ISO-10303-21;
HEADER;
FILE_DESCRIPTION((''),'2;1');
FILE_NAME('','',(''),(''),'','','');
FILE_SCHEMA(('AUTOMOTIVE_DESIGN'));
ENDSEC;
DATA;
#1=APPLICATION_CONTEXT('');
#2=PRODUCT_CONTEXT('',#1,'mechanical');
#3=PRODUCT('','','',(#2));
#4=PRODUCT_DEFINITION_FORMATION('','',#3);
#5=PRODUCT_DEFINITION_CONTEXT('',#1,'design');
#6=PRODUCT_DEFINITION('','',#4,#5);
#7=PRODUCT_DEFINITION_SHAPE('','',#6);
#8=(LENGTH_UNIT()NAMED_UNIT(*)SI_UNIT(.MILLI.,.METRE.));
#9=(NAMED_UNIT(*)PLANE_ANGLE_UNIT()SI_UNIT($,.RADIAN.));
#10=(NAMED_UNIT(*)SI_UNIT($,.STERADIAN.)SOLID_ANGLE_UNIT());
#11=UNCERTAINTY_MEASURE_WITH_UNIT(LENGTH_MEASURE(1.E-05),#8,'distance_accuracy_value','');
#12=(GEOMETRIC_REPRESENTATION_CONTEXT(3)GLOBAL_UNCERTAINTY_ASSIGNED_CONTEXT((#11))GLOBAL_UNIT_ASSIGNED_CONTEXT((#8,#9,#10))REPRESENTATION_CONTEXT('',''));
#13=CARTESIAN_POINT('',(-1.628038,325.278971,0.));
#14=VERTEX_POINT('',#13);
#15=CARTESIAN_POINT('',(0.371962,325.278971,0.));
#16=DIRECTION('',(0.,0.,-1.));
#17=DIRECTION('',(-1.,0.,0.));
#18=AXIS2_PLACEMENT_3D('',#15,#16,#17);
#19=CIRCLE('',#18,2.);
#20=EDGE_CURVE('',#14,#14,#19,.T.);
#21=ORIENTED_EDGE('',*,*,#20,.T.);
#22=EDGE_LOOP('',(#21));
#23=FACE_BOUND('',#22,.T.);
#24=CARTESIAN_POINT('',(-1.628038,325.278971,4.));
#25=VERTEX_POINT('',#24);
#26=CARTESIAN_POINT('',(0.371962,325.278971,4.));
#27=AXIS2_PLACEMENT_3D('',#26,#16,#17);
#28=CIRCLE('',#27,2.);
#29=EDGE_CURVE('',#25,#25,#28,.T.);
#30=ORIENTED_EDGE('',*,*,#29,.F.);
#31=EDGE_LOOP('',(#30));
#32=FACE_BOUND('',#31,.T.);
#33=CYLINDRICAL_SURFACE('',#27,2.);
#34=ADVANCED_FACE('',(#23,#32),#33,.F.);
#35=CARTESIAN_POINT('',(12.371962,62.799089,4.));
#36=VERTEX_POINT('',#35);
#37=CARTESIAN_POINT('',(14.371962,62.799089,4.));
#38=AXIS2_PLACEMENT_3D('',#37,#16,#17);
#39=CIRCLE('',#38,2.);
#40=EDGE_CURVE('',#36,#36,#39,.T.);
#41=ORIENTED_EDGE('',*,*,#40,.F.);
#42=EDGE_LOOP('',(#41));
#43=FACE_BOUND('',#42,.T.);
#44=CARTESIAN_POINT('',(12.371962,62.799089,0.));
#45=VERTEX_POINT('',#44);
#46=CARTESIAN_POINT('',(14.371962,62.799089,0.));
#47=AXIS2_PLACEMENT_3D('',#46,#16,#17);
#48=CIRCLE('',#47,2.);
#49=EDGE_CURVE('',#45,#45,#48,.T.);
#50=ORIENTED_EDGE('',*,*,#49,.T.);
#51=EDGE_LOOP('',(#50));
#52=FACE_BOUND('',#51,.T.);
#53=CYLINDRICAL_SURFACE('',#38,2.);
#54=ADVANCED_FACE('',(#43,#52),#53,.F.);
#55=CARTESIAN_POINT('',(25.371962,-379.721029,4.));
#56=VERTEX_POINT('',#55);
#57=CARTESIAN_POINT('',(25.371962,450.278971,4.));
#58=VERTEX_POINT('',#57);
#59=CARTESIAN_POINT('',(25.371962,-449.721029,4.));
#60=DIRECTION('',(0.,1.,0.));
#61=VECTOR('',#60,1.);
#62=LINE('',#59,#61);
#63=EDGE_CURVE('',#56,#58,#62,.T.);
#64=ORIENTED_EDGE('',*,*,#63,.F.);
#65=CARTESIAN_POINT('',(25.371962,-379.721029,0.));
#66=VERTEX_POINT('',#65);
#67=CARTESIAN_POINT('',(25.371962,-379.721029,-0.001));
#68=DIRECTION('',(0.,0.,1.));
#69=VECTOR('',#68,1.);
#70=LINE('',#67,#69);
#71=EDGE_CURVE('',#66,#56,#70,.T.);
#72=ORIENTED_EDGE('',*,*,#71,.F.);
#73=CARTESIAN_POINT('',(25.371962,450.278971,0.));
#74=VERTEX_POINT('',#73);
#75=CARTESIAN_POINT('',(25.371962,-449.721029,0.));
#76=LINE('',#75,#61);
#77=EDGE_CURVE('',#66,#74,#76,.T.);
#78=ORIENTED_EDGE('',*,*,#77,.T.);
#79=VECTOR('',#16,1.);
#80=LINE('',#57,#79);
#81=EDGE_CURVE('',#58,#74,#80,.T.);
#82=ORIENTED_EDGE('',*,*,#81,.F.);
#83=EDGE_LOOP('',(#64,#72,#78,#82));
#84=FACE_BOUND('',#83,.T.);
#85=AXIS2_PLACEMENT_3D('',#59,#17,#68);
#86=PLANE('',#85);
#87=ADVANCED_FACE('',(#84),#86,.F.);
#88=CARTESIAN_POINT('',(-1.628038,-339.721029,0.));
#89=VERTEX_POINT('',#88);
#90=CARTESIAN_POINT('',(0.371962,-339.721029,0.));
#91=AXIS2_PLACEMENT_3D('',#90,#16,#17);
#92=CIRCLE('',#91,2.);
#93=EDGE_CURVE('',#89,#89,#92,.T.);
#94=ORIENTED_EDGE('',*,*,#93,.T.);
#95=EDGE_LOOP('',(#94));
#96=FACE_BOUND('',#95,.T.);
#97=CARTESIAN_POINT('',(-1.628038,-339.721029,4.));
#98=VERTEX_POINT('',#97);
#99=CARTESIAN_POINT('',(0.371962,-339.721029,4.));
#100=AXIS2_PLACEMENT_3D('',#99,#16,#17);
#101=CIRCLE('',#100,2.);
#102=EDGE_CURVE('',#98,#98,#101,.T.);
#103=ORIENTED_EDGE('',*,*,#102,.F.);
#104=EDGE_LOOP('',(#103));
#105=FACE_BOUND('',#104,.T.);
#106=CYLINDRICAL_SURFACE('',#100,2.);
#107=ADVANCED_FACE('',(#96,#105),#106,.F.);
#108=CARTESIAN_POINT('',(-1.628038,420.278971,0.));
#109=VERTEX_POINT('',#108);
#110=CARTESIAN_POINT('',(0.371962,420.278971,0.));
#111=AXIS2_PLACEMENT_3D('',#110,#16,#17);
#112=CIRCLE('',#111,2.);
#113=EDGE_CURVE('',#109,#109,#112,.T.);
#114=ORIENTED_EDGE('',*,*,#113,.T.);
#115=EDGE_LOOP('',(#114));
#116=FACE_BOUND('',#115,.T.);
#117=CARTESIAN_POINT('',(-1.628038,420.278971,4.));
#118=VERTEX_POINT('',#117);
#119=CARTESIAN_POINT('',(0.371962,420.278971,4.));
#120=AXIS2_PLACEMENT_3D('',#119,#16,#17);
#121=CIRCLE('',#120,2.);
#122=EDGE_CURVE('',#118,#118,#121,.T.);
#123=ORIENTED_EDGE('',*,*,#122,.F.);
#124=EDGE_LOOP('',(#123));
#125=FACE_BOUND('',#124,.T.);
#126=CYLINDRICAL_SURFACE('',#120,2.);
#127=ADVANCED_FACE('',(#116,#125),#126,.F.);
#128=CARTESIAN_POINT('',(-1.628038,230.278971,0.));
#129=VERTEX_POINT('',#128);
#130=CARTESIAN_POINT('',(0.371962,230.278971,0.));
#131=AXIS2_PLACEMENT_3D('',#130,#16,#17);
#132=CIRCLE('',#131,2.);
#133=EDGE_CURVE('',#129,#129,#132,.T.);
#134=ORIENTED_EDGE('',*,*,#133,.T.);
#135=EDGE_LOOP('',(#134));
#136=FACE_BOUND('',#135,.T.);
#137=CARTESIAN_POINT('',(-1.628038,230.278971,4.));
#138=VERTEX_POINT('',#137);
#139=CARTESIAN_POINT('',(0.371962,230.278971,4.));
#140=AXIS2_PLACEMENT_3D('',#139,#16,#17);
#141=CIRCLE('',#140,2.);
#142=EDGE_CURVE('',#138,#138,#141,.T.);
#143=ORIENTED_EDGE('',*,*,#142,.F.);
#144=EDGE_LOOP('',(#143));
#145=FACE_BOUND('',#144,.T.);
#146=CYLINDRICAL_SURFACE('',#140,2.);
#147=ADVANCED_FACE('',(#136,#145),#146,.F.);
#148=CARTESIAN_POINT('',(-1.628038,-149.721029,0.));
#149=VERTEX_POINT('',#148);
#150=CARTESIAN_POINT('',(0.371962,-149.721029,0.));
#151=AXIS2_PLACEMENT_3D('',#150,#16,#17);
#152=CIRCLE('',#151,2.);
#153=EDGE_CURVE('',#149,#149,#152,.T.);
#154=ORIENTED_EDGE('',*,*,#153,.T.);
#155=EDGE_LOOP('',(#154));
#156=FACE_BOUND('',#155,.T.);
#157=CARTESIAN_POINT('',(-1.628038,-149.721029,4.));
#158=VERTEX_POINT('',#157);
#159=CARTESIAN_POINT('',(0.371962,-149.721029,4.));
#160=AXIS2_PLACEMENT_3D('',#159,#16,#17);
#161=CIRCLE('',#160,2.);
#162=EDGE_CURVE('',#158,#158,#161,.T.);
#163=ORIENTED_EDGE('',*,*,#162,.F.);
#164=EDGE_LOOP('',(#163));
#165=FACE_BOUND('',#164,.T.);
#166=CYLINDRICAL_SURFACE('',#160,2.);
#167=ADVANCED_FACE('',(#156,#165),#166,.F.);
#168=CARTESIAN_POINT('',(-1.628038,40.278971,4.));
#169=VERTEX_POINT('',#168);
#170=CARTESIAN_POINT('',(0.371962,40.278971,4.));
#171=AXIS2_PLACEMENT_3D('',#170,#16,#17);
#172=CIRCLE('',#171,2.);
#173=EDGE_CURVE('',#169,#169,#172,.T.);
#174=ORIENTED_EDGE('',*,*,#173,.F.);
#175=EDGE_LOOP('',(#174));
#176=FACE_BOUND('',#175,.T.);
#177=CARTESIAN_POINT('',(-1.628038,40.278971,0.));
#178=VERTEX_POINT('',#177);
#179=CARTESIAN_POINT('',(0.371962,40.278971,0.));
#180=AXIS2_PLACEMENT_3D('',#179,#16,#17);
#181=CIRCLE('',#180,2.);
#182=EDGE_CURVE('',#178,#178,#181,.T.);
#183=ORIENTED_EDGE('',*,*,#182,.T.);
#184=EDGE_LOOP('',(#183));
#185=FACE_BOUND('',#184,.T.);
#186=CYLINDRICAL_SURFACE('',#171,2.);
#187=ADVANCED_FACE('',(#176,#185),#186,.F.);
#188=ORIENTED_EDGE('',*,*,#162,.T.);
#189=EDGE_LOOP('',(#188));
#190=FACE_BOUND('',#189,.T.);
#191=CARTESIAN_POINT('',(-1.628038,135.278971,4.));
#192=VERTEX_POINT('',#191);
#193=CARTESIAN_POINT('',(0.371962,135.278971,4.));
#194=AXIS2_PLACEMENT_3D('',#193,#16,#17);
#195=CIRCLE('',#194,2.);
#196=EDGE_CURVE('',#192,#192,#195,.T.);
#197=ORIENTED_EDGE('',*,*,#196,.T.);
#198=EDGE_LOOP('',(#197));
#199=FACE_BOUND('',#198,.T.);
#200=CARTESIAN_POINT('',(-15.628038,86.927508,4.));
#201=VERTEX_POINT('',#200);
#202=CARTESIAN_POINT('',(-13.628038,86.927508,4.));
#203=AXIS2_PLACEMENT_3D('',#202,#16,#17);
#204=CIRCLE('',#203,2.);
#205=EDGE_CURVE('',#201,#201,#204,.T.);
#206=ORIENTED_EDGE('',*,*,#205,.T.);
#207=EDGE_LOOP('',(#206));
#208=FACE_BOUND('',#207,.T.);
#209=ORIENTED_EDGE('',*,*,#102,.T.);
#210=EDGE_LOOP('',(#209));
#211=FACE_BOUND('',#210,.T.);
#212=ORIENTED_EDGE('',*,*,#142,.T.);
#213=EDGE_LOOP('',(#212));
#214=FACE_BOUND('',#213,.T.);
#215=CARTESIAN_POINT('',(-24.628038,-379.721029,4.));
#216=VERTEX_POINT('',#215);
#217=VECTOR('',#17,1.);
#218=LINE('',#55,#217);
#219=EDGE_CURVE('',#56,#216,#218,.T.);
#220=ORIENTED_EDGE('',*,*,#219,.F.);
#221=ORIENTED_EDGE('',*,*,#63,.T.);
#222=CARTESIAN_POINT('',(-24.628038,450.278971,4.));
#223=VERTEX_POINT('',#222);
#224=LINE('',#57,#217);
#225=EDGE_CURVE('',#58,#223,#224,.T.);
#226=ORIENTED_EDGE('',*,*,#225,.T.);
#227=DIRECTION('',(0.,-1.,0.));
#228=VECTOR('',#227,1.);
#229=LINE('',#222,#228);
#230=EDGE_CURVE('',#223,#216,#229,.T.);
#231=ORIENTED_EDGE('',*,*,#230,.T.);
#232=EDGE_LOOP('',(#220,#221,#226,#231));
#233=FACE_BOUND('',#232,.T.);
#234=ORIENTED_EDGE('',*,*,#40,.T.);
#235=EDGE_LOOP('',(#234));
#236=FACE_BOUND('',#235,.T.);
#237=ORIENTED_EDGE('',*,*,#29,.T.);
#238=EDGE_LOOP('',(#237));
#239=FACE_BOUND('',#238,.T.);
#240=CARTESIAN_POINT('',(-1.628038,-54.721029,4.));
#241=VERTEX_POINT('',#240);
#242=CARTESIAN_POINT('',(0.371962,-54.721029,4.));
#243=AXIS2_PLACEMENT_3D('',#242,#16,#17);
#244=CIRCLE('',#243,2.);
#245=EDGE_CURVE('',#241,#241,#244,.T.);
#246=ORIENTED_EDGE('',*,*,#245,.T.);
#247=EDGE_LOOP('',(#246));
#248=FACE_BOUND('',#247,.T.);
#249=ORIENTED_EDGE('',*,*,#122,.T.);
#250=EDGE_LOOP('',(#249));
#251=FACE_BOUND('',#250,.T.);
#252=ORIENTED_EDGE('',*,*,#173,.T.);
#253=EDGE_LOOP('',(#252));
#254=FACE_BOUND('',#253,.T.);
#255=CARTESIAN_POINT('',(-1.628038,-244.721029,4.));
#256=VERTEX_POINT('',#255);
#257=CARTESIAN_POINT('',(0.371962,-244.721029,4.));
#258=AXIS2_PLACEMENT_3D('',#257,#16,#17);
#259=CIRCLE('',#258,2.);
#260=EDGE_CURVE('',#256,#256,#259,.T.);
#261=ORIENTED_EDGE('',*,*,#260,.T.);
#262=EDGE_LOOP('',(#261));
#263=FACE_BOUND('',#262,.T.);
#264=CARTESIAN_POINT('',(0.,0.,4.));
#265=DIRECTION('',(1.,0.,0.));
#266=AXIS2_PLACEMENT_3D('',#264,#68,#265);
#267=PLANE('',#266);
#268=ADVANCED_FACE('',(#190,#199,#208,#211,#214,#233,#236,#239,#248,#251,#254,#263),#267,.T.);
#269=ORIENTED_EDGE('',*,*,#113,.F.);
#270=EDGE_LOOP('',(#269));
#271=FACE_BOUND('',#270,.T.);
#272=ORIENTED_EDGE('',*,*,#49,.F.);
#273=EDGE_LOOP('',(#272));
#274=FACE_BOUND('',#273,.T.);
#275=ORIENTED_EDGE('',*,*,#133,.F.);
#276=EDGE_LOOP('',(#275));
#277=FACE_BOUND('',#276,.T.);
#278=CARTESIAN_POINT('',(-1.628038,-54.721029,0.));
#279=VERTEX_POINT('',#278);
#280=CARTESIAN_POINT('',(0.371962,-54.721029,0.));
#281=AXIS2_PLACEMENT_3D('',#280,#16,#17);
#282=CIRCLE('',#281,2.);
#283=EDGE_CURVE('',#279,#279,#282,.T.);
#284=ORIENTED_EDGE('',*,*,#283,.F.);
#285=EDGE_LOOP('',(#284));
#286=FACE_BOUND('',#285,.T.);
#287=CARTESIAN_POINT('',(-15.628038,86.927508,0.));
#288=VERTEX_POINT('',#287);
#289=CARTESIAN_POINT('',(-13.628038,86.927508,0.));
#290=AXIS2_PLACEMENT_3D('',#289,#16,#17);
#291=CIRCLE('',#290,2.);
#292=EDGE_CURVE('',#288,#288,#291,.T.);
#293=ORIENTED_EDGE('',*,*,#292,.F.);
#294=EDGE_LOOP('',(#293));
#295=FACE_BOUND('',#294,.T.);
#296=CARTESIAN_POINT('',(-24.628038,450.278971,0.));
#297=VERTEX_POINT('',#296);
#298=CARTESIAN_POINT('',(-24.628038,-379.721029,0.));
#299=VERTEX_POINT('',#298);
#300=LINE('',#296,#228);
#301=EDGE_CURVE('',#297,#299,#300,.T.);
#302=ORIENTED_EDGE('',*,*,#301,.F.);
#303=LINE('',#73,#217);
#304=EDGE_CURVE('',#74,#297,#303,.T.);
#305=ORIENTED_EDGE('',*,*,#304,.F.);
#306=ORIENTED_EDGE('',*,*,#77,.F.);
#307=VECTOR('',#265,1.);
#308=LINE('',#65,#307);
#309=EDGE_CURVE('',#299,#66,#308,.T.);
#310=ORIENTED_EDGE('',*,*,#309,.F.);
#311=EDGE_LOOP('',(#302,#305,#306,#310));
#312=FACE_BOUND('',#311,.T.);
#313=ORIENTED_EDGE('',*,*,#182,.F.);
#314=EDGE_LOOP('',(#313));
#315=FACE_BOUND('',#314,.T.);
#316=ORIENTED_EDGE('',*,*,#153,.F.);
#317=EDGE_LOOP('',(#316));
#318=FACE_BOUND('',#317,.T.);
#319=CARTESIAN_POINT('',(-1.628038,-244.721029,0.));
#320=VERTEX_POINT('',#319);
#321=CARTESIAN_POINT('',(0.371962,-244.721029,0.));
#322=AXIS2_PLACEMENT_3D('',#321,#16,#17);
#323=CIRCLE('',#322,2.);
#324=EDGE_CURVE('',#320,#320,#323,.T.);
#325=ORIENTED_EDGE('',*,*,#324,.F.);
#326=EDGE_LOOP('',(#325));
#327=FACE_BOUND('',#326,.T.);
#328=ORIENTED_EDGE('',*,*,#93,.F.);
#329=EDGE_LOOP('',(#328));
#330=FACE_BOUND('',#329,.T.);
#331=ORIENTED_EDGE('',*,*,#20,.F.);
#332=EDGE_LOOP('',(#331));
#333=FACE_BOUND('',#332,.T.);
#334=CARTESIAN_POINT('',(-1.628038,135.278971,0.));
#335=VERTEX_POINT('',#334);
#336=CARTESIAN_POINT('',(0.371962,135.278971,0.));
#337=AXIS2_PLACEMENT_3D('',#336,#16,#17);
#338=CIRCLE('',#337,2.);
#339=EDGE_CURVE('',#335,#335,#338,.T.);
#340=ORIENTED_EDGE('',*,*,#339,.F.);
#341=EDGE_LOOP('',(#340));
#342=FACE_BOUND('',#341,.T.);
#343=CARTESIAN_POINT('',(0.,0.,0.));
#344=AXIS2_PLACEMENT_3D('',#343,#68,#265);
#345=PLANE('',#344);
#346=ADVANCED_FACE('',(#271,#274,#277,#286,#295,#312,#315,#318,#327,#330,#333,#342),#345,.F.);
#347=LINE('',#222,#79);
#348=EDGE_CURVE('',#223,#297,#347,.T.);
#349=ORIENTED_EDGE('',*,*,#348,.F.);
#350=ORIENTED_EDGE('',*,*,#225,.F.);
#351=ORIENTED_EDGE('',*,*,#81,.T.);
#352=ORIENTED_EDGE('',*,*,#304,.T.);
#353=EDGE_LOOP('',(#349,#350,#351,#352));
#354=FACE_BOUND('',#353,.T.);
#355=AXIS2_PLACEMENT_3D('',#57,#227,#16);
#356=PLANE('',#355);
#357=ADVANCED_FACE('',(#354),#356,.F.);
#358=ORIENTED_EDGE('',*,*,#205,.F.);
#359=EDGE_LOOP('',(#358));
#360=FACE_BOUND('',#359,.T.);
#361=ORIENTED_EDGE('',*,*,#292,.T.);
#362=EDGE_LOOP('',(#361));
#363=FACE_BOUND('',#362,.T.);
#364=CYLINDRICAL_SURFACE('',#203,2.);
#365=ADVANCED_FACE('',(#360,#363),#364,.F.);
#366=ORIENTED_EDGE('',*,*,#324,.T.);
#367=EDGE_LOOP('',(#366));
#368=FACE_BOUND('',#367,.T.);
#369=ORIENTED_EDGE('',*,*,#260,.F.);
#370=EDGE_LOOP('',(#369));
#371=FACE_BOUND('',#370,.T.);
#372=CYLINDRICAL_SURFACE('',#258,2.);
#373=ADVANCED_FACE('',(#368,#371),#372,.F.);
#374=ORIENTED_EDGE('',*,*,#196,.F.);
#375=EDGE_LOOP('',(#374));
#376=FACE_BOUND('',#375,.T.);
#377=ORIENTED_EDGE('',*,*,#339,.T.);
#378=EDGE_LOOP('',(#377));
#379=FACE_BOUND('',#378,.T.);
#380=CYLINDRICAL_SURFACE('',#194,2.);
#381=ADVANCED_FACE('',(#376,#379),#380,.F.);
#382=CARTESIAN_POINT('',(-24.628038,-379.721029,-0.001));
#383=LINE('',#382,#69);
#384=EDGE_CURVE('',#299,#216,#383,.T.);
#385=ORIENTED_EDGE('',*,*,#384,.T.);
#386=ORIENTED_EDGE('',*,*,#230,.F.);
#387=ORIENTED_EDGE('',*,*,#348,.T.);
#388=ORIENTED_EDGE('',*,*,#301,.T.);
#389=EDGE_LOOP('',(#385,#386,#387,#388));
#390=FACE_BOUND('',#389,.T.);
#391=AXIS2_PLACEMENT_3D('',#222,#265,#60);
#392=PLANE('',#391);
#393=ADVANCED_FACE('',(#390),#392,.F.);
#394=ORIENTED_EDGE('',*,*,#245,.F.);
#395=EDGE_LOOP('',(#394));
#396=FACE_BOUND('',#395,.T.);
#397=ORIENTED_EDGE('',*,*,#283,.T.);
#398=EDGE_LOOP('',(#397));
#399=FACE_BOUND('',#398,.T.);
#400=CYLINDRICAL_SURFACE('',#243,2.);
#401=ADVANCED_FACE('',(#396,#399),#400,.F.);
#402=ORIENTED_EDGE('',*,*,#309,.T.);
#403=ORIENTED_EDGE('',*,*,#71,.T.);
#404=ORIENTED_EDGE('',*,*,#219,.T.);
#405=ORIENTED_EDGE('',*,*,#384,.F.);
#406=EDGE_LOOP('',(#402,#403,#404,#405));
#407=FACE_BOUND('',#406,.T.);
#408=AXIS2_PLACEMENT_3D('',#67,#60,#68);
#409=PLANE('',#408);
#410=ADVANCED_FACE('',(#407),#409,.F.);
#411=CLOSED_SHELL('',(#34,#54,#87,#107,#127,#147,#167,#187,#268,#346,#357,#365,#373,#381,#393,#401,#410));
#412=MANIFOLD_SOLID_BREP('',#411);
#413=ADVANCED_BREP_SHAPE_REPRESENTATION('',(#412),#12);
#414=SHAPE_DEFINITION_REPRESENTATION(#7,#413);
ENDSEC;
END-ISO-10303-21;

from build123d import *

# Parameters (mm, degrees)
SKETCH2_W           = 50
SKETCH2_H           = 900
BOSS_EXTRUDE1_DEPTH = 4
CUT_EXTRUDE1_REACH  = 6
SKETCH3_W           = 50
SKETCH3_H           = 70
SKETCH4_R           = 2
CUT_EXTRUDE4_DEPTH  = 5


with BuildPart() as part:
    # Sketch2 → Boss-Extrude1 (new body)
    with BuildSketch(Plane.XY):
        with Locations((0.371961745, 0.278971309)):
            Rectangle(SKETCH2_W, SKETCH2_H)
    extrude(amount=BOSS_EXTRUDE1_DEPTH)

    # Sketch3 → Cut-Extrude1 (cut, up to next)
    with BuildSketch(Plane.XY.offset(4), mode=Mode.PRIVATE) as cut_extrude1_sk1:
        with Locations((0.371961745, -414.721028691)):
            Rectangle(SKETCH3_W, SKETCH3_H)
    cut_extrude1_tool1 = extrude(cut_extrude1_sk1.sketch, amount=-CUT_EXTRUDE1_REACH, mode=Mode.PRIVATE) & part.part
    add(cut_extrude1_tool1.solids().sort_by_distance((0.371962, -414.721029, 4))[0], mode=Mode.SUBTRACT)

    # Sketch4 → Cut-Extrude4 (cut, through all)
    with BuildSketch(Plane(origin=(0, 0, 0), x_dir=(-1, 0, 0), z_dir=(0, 0, -1))):
        with Locations((13.628038255, 86.927507875)):
            Circle(SKETCH4_R)
        with Locations((12.128038255, 485.278971308)):
            Circle(SKETCH4_R)
        with Locations((-0.371961745, 500.278971309)):
            Circle(SKETCH4_R)
        with Locations((-0.371961745, 470.278971308)):
            Circle(SKETCH4_R)
        with Locations((-0.371961745, -244.721028692)):
            Circle(SKETCH4_R)
        with Locations((-0.371961745, -149.721028692)):
            Circle(SKETCH4_R)
        with Locations((-0.371961745, -54.721028692)):
            Circle(SKETCH4_R)
        with Locations((-0.371961745, 40.278971308)):
            Circle(SKETCH4_R)
        with Locations((-0.371961745, 135.278971308)):
            Circle(SKETCH4_R)
        with Locations((-0.371961745, 230.278971308)):
            Circle(SKETCH4_R)
        with Locations((-0.371961745, 325.278971308)):
            Circle(SKETCH4_R)
        with Locations((-0.371961745, 420.278971308)):
            Circle(SKETCH4_R)
        with Locations((-0.371961745, -339.721028692)):
            Circle(SKETCH4_R)
        with Locations((-14.371961745, 62.799089294)):
            Circle(SKETCH4_R)
    extrude(amount=-CUT_EXTRUDE4_DEPTH, mode=Mode.SUBTRACT)


solid = part.part
